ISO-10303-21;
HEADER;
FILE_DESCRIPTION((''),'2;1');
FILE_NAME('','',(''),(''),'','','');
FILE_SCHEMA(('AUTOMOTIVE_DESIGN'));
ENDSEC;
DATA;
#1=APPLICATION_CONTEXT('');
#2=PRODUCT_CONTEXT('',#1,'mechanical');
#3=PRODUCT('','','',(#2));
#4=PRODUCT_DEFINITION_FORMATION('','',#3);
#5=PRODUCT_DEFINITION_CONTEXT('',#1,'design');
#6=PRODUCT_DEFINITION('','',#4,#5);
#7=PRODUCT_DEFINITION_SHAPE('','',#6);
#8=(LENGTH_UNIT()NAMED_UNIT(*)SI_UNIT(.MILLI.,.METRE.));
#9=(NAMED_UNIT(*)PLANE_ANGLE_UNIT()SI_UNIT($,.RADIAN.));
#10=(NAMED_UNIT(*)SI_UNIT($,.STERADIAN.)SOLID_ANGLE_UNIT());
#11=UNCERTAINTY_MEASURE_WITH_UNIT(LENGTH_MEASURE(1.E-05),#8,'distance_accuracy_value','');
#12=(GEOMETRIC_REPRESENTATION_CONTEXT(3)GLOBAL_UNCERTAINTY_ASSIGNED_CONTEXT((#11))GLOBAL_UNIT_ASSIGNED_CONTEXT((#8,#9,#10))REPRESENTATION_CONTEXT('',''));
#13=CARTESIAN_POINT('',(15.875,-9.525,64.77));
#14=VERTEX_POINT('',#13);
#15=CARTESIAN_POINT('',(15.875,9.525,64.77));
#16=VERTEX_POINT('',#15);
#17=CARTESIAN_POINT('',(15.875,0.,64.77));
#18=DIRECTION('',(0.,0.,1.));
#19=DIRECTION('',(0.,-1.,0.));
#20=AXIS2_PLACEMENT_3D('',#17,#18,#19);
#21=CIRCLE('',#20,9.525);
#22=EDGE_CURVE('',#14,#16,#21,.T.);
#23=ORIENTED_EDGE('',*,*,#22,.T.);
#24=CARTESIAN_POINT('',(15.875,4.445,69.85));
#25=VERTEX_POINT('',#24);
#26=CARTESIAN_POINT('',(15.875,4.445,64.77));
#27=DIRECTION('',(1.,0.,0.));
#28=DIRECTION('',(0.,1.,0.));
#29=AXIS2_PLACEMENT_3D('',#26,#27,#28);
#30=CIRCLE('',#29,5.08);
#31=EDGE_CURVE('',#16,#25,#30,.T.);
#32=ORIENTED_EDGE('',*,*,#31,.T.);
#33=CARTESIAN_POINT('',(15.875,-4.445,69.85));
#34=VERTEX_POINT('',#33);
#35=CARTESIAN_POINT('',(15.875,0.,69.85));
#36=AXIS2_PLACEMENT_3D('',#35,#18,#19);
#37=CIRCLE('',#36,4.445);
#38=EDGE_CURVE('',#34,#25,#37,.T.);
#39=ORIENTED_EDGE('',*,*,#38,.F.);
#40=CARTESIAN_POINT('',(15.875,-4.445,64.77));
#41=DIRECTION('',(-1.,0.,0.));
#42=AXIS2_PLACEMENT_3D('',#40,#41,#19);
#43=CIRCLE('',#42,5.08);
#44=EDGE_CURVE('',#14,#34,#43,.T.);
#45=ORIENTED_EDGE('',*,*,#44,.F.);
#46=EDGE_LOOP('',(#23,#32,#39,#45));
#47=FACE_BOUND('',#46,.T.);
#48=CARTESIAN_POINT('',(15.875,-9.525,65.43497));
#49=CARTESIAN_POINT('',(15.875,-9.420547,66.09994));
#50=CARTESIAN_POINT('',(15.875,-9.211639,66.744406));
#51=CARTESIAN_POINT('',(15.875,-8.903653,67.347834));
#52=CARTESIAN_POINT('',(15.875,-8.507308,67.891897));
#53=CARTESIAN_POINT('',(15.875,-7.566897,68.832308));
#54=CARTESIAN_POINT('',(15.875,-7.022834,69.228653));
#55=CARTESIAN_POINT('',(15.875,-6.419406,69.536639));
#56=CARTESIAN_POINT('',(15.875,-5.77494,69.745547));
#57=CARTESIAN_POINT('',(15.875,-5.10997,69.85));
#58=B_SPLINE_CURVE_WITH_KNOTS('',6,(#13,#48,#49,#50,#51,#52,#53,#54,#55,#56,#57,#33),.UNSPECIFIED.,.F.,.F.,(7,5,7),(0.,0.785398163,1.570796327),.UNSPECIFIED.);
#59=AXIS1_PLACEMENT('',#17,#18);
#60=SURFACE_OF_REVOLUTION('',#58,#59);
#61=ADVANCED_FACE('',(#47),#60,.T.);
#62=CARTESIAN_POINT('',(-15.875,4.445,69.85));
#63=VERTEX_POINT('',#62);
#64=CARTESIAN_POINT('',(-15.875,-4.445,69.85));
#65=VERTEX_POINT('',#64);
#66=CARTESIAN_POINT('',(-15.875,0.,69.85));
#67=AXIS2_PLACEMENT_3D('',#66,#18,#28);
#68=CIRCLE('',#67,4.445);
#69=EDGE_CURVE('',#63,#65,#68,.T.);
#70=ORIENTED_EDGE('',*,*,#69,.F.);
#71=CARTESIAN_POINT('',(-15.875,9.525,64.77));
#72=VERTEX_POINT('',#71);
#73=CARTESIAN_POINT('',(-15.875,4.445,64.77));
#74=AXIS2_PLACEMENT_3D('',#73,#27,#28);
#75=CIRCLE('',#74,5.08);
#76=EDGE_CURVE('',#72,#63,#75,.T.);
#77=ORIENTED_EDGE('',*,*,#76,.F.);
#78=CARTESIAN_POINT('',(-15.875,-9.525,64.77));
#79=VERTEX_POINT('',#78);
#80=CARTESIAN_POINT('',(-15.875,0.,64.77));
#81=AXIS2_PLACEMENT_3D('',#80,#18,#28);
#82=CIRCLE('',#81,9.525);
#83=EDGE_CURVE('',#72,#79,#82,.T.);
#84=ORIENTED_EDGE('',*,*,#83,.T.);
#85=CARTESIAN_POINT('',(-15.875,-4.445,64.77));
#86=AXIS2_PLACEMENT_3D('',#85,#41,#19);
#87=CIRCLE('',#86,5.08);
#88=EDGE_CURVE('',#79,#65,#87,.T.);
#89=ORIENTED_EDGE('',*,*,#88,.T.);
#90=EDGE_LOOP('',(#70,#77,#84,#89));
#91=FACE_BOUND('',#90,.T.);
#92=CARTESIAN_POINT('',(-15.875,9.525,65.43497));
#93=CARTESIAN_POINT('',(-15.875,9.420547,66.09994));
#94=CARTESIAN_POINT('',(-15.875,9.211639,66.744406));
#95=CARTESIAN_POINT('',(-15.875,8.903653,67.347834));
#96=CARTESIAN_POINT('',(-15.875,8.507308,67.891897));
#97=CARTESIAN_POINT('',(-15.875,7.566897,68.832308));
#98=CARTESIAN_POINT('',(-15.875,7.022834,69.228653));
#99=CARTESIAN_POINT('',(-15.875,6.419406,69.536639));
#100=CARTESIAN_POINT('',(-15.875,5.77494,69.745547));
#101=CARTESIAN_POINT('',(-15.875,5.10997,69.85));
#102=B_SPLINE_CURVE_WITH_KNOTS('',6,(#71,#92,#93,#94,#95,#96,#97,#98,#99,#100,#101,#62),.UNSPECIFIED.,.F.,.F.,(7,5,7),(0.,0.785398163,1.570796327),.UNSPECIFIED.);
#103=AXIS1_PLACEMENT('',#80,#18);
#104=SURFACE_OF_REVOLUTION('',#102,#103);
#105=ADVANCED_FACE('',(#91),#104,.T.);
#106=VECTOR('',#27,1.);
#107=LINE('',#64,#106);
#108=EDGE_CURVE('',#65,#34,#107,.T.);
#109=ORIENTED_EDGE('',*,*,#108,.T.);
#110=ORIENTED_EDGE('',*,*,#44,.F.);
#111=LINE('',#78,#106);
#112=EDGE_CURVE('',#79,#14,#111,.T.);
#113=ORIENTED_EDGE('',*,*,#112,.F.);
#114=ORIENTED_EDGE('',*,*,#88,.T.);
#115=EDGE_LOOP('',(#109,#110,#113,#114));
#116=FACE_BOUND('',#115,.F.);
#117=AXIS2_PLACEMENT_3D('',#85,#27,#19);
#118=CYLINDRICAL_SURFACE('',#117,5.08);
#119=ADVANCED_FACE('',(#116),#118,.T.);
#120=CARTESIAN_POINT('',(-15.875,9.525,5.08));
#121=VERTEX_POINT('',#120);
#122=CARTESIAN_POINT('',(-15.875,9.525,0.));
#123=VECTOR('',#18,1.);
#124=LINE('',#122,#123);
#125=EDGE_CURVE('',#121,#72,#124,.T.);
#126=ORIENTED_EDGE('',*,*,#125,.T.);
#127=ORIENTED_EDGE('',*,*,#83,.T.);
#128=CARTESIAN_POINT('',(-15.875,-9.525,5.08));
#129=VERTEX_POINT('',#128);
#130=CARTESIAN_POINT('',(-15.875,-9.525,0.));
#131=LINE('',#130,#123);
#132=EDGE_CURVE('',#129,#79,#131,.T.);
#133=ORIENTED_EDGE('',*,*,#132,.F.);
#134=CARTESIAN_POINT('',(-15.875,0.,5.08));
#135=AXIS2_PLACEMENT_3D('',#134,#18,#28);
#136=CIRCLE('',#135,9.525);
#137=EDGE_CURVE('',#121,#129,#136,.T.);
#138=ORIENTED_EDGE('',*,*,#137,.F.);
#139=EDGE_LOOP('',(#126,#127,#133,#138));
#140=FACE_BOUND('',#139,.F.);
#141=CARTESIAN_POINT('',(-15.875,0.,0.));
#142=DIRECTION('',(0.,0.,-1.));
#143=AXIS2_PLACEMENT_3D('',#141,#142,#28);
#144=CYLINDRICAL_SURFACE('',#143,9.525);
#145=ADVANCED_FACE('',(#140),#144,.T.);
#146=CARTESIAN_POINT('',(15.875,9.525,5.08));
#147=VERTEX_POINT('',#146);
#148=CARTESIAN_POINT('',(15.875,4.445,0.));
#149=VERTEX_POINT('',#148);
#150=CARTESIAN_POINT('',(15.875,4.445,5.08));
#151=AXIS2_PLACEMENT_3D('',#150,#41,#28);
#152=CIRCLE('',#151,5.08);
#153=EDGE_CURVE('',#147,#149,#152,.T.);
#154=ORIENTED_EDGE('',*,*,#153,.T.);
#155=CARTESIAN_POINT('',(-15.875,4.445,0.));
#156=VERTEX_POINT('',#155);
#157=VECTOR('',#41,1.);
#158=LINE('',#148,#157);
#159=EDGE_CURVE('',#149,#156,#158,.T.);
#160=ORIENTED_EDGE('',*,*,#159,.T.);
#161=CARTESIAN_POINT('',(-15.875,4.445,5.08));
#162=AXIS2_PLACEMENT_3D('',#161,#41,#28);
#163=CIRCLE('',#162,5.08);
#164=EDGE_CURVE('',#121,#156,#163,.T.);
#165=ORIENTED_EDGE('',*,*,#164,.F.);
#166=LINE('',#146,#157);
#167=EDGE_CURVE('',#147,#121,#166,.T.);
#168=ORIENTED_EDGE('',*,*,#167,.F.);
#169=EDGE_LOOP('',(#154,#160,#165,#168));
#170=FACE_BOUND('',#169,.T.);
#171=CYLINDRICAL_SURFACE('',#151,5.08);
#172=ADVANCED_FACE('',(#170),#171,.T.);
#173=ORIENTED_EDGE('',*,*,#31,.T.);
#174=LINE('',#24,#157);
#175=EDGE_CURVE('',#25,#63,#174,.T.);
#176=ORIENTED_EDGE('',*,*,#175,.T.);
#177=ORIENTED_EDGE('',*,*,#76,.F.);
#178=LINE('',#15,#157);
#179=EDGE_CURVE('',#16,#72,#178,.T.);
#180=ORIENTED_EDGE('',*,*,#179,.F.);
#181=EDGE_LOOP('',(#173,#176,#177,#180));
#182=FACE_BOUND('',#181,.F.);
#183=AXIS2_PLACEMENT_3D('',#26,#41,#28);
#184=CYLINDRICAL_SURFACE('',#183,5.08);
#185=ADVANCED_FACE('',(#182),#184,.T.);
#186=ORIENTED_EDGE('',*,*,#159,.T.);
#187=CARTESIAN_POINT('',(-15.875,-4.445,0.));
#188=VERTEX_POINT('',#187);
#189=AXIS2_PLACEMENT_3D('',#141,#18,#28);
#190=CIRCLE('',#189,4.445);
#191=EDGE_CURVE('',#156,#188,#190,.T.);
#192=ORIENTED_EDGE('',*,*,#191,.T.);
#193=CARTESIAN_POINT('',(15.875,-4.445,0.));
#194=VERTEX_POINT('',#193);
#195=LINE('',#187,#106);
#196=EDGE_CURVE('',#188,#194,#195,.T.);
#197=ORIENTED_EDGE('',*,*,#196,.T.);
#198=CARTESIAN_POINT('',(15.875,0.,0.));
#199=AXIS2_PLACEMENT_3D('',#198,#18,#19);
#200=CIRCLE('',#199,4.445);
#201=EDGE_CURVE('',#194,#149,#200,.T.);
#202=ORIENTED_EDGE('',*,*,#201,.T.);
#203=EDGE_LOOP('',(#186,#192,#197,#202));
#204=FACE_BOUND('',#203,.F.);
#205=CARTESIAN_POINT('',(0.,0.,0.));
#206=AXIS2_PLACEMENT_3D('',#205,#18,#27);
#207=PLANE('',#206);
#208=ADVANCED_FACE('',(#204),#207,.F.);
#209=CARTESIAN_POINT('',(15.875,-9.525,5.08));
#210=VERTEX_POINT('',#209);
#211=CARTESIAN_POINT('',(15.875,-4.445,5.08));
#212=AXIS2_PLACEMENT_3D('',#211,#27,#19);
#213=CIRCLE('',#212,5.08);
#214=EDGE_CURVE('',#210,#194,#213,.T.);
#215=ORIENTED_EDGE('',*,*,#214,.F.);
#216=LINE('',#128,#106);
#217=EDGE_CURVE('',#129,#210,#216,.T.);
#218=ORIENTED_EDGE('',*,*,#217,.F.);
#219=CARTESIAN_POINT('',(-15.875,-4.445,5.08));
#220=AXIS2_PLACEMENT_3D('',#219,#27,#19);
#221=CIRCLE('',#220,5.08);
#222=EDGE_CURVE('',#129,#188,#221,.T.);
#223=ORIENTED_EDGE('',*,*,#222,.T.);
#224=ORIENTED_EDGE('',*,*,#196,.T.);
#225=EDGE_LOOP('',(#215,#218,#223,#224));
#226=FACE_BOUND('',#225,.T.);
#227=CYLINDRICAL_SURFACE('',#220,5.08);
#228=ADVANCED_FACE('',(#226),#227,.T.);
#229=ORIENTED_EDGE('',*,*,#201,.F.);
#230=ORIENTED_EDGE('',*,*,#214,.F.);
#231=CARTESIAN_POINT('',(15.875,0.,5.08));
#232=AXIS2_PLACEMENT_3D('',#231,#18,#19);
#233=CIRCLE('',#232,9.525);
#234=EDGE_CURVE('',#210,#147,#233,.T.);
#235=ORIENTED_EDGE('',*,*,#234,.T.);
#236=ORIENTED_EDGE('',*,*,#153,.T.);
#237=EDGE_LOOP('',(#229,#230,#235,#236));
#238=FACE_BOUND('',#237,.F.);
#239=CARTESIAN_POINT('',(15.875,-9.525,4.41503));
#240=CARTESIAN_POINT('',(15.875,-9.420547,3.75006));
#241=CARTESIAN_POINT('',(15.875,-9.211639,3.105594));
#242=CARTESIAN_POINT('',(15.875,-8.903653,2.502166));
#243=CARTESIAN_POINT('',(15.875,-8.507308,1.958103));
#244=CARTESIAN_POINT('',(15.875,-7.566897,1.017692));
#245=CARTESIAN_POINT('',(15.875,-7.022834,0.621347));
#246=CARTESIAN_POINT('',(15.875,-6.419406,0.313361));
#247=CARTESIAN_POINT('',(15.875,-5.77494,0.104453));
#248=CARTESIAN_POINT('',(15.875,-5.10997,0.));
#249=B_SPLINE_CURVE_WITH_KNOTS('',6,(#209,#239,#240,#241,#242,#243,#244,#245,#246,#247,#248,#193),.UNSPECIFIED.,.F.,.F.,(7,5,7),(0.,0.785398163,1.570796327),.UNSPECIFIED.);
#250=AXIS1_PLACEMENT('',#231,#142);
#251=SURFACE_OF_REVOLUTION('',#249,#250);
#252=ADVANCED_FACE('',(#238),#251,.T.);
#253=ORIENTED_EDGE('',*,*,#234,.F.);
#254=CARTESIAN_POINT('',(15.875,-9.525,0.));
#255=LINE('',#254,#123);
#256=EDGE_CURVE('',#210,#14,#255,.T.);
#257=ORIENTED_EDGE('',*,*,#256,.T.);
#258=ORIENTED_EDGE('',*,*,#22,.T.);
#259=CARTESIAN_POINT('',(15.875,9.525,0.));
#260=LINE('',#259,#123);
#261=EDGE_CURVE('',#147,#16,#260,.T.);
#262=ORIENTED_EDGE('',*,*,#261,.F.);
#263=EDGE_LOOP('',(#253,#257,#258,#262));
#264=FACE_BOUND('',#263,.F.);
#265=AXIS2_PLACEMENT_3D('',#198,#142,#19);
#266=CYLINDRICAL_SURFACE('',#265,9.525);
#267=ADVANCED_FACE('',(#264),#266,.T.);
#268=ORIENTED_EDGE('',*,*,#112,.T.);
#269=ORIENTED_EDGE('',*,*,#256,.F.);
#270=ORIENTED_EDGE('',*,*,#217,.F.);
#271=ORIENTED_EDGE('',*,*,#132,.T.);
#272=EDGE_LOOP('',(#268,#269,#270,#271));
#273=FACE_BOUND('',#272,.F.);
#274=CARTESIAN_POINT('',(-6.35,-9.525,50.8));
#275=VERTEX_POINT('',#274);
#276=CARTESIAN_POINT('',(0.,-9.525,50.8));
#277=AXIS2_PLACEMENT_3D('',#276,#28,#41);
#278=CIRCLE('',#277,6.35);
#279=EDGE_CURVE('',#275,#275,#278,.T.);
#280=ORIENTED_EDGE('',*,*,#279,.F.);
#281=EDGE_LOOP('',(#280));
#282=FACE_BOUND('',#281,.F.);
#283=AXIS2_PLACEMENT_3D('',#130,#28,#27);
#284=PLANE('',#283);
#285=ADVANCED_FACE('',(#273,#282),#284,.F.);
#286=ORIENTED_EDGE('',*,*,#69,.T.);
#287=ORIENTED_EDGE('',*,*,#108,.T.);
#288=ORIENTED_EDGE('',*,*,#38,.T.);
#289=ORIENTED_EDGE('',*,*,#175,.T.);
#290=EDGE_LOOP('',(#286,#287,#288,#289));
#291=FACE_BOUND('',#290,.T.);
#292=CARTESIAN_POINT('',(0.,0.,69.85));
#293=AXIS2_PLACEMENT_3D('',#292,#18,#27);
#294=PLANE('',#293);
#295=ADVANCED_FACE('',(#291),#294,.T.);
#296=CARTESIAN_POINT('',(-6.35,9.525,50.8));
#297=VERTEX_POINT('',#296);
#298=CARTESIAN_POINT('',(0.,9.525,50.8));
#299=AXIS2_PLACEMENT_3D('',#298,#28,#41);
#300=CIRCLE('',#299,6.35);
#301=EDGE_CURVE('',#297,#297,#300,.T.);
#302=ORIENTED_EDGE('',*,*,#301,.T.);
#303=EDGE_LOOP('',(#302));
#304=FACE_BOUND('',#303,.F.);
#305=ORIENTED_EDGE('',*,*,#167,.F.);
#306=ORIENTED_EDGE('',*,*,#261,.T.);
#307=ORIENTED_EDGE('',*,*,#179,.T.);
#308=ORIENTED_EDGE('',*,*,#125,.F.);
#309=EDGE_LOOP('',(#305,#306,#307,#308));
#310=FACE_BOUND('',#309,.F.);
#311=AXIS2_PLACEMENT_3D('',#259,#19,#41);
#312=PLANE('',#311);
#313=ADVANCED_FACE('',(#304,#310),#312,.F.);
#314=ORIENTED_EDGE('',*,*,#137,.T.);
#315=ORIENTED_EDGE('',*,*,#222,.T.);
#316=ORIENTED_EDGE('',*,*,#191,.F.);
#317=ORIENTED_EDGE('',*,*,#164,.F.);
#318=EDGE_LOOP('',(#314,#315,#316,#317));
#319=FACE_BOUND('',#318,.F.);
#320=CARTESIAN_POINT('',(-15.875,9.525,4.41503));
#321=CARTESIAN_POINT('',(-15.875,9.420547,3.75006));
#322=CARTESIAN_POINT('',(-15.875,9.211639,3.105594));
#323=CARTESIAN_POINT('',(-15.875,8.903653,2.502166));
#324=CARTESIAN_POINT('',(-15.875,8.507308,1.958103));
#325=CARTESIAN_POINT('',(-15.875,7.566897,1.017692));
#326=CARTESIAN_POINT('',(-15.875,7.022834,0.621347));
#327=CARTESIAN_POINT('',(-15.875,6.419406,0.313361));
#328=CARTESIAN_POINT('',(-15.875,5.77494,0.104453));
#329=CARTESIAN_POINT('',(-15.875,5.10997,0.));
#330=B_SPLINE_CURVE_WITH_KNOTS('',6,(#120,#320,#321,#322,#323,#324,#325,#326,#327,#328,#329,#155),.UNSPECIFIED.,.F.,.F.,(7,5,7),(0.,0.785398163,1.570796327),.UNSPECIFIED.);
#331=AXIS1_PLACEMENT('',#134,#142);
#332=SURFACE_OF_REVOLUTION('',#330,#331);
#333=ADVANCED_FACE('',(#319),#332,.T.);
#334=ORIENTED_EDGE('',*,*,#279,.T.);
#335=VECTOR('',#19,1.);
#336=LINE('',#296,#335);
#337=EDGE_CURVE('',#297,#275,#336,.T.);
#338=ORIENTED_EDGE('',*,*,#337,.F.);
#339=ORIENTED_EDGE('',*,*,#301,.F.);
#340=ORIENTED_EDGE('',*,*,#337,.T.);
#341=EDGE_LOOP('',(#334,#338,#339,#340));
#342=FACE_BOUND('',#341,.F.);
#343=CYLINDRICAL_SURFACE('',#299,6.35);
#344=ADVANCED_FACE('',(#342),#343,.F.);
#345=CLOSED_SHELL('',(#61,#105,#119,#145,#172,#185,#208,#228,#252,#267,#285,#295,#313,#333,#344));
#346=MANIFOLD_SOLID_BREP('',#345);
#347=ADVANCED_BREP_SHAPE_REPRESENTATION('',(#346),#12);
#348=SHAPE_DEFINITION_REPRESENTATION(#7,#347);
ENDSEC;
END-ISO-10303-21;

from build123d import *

# Parameters (mm, degrees)
F1_DEPTH = 69.85
F2_R     = 5.08
F3_R     = 6.35
F4_DEPTH = 19.051


with BuildPart() as f1:
    # F0 (on Top) → F1 (new body)
    with BuildSketch(Plane.XY):
        with BuildLine():
            Line((15.875, 9.525), (-15.875, 9.525))
            ThreePointArc((-15.875, 9.525), (-25.4, 0), (-15.875, -9.525))
            Line((-15.875, -9.525), (15.875, -9.525))
            ThreePointArc((15.875, -9.525), (25.4, 0), (15.875, 9.525))
        make_face()
    extrude(amount=F1_DEPTH)

    # F2
    f2_edges = [f1.edges().sort_by_distance(p)[0] for p in [
        (0, -9.525, 69.85),
        (25.4, 0, 69.85),
        (0, 9.525, 69.85),
        (-25.4, 0, 69.85),
        (0, -9.525, 0),
        (25.4, 0, 0),
        (0, 9.525, 0),
        (-25.4, 0, 0),
    ]]
    fillet(f2_edges, radius=F2_R)

    # F3 (on face) → F4 (cut, through all)
    with BuildSketch(Plane(origin=(0, 9.525, 0), x_dir=(-1, 0, 0), z_dir=(0, 1, 0))):
        with Locations((0, 50.8)):
            Circle(F3_R)
    extrude(amount=-F4_DEPTH, mode=Mode.SUBTRACT)


solid = f1.part
